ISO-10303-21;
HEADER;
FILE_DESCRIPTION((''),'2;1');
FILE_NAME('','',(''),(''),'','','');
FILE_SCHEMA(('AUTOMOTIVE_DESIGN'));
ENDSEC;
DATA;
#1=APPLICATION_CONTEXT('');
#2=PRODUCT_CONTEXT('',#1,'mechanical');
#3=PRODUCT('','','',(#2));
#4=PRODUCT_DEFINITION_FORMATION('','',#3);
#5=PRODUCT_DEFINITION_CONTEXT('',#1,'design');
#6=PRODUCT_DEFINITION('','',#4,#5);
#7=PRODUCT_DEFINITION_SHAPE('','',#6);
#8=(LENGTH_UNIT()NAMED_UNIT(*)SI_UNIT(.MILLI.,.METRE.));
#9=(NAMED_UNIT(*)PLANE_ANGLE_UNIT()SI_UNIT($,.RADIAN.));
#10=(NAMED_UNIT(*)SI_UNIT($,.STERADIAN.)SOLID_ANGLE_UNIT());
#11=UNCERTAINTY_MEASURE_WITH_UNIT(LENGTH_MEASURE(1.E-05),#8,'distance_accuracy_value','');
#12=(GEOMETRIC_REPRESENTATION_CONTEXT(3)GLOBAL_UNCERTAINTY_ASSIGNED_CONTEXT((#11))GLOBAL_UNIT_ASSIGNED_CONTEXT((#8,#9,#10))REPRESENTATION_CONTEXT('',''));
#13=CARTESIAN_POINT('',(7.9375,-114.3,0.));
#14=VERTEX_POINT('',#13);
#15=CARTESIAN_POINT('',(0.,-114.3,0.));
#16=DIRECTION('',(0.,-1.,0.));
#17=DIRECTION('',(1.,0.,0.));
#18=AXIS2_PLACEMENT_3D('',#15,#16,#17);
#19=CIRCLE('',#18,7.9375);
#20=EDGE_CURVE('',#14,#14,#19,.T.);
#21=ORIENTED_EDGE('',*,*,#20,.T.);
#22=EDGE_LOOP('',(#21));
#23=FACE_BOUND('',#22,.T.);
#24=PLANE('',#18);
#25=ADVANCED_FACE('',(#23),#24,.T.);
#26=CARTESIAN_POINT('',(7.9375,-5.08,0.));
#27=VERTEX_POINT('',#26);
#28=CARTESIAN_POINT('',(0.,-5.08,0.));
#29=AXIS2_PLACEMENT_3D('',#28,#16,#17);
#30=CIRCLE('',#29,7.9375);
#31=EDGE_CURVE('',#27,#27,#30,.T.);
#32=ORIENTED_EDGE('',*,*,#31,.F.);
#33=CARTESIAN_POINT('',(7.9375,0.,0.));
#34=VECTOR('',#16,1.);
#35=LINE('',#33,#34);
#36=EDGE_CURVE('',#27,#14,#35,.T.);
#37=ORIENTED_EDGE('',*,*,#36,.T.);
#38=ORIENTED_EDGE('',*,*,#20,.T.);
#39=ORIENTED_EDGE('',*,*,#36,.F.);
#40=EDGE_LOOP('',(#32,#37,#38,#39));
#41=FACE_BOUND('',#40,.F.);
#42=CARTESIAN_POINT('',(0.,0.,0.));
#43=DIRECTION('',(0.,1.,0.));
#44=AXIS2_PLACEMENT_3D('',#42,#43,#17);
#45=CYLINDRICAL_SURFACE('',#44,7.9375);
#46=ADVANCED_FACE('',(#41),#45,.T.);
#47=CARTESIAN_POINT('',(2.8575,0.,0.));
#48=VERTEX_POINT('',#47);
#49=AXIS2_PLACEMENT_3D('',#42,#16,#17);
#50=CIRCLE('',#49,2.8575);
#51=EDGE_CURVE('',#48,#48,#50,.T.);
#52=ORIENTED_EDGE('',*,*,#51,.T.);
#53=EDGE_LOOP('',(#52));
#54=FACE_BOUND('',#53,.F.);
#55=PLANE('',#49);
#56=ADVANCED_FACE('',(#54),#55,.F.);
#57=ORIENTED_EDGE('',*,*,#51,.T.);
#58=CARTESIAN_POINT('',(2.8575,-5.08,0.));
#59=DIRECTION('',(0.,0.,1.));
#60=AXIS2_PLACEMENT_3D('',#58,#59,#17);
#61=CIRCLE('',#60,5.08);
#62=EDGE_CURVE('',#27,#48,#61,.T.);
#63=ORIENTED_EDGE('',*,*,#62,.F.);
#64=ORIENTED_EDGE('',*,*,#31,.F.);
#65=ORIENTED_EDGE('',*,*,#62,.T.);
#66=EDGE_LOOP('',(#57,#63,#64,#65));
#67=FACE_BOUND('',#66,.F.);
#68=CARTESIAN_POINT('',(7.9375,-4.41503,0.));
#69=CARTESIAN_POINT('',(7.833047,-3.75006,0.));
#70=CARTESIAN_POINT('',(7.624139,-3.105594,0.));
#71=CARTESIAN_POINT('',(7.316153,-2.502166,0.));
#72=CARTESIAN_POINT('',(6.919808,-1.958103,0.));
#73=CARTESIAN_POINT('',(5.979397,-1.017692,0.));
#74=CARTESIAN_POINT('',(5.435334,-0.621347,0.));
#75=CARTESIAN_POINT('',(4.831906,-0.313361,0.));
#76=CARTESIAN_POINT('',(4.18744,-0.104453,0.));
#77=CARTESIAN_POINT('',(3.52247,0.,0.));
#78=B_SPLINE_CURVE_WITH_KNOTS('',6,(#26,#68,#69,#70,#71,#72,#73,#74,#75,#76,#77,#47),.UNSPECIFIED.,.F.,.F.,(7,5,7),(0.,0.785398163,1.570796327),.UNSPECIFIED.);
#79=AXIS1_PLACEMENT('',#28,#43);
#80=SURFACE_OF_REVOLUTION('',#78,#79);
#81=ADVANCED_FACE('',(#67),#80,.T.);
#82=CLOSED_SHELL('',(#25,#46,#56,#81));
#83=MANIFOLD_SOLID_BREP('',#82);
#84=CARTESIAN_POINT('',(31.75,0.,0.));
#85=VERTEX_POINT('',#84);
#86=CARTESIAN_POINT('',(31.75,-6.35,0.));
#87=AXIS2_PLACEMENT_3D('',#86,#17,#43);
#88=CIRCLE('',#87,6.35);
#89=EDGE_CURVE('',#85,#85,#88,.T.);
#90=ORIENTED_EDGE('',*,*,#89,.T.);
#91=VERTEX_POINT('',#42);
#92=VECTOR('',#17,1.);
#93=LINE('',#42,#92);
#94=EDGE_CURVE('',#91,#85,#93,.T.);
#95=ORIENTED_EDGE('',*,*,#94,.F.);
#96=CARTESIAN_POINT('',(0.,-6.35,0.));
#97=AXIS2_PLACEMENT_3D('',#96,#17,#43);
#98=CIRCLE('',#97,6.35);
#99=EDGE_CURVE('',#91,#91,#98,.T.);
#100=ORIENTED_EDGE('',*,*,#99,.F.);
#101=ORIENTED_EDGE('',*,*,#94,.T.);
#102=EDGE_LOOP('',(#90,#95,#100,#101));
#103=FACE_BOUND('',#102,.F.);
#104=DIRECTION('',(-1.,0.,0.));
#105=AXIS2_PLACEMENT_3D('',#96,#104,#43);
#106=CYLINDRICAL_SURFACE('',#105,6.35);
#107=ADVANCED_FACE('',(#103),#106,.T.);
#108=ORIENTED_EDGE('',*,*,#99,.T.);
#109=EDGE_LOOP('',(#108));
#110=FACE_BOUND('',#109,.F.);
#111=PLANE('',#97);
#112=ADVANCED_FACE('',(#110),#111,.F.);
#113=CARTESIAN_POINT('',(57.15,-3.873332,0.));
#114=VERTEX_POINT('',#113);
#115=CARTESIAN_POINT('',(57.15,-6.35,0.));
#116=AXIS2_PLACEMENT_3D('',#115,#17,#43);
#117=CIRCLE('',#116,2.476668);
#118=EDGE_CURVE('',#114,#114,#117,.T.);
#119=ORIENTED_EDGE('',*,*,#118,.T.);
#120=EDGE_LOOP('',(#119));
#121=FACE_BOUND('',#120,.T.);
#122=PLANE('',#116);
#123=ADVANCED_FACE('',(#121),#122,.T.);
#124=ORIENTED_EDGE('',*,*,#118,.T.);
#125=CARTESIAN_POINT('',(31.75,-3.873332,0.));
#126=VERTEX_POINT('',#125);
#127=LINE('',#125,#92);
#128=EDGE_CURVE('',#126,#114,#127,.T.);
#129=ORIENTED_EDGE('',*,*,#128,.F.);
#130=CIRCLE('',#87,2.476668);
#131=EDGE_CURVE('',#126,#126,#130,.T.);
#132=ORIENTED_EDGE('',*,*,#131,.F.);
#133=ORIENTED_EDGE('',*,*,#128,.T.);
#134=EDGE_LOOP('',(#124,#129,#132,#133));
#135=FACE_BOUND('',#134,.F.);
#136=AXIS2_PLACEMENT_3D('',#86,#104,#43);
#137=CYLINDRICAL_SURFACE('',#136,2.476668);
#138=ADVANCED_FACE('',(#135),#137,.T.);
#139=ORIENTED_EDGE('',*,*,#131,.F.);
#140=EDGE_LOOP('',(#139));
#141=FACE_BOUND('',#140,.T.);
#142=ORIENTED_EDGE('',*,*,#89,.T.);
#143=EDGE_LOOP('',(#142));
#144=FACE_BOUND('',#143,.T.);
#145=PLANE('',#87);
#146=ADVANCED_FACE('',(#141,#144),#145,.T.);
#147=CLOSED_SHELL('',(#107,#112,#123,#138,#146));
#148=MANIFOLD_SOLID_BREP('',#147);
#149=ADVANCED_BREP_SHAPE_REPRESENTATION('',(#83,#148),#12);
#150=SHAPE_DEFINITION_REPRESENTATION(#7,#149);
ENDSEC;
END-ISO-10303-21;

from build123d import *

# Parameters (mm, degrees)
F0_R     = 7.9375
F1_DEPTH = 114.3
F2_R     = 6.35
F3_DEPTH = 31.75
F4_R     = 5.08
F5_R     = 2.476668
F6_DEPTH = 25.4


with BuildPart() as f1:
    # F0 (on Front) → F1 (new body)
    with BuildSketch(Plane.XZ):
        Circle(F0_R)
    extrude(amount=F1_DEPTH)

    # F4
    f4_edges = [f1.edges().sort_by_distance(p)[0] for p in [
        (-7.9375, 0, 0),
    ]]
    fillet(f4_edges, radius=F4_R)


with BuildPart() as f3:
    # F2 (on Right) → F3 (new body)
    with BuildSketch(Plane.YZ):
        with Locations((-6.35, 0)):
            Circle(F2_R)
    extrude(amount=F3_DEPTH)

    # F5 (on face) → F6 (join)
    with BuildSketch(Plane.YZ.offset(31.75)):
        with Locations((-6.35, 0)):
            Circle(F5_R)
    extrude(amount=F6_DEPTH)


solid = Compound([f1.part, f3.part])
